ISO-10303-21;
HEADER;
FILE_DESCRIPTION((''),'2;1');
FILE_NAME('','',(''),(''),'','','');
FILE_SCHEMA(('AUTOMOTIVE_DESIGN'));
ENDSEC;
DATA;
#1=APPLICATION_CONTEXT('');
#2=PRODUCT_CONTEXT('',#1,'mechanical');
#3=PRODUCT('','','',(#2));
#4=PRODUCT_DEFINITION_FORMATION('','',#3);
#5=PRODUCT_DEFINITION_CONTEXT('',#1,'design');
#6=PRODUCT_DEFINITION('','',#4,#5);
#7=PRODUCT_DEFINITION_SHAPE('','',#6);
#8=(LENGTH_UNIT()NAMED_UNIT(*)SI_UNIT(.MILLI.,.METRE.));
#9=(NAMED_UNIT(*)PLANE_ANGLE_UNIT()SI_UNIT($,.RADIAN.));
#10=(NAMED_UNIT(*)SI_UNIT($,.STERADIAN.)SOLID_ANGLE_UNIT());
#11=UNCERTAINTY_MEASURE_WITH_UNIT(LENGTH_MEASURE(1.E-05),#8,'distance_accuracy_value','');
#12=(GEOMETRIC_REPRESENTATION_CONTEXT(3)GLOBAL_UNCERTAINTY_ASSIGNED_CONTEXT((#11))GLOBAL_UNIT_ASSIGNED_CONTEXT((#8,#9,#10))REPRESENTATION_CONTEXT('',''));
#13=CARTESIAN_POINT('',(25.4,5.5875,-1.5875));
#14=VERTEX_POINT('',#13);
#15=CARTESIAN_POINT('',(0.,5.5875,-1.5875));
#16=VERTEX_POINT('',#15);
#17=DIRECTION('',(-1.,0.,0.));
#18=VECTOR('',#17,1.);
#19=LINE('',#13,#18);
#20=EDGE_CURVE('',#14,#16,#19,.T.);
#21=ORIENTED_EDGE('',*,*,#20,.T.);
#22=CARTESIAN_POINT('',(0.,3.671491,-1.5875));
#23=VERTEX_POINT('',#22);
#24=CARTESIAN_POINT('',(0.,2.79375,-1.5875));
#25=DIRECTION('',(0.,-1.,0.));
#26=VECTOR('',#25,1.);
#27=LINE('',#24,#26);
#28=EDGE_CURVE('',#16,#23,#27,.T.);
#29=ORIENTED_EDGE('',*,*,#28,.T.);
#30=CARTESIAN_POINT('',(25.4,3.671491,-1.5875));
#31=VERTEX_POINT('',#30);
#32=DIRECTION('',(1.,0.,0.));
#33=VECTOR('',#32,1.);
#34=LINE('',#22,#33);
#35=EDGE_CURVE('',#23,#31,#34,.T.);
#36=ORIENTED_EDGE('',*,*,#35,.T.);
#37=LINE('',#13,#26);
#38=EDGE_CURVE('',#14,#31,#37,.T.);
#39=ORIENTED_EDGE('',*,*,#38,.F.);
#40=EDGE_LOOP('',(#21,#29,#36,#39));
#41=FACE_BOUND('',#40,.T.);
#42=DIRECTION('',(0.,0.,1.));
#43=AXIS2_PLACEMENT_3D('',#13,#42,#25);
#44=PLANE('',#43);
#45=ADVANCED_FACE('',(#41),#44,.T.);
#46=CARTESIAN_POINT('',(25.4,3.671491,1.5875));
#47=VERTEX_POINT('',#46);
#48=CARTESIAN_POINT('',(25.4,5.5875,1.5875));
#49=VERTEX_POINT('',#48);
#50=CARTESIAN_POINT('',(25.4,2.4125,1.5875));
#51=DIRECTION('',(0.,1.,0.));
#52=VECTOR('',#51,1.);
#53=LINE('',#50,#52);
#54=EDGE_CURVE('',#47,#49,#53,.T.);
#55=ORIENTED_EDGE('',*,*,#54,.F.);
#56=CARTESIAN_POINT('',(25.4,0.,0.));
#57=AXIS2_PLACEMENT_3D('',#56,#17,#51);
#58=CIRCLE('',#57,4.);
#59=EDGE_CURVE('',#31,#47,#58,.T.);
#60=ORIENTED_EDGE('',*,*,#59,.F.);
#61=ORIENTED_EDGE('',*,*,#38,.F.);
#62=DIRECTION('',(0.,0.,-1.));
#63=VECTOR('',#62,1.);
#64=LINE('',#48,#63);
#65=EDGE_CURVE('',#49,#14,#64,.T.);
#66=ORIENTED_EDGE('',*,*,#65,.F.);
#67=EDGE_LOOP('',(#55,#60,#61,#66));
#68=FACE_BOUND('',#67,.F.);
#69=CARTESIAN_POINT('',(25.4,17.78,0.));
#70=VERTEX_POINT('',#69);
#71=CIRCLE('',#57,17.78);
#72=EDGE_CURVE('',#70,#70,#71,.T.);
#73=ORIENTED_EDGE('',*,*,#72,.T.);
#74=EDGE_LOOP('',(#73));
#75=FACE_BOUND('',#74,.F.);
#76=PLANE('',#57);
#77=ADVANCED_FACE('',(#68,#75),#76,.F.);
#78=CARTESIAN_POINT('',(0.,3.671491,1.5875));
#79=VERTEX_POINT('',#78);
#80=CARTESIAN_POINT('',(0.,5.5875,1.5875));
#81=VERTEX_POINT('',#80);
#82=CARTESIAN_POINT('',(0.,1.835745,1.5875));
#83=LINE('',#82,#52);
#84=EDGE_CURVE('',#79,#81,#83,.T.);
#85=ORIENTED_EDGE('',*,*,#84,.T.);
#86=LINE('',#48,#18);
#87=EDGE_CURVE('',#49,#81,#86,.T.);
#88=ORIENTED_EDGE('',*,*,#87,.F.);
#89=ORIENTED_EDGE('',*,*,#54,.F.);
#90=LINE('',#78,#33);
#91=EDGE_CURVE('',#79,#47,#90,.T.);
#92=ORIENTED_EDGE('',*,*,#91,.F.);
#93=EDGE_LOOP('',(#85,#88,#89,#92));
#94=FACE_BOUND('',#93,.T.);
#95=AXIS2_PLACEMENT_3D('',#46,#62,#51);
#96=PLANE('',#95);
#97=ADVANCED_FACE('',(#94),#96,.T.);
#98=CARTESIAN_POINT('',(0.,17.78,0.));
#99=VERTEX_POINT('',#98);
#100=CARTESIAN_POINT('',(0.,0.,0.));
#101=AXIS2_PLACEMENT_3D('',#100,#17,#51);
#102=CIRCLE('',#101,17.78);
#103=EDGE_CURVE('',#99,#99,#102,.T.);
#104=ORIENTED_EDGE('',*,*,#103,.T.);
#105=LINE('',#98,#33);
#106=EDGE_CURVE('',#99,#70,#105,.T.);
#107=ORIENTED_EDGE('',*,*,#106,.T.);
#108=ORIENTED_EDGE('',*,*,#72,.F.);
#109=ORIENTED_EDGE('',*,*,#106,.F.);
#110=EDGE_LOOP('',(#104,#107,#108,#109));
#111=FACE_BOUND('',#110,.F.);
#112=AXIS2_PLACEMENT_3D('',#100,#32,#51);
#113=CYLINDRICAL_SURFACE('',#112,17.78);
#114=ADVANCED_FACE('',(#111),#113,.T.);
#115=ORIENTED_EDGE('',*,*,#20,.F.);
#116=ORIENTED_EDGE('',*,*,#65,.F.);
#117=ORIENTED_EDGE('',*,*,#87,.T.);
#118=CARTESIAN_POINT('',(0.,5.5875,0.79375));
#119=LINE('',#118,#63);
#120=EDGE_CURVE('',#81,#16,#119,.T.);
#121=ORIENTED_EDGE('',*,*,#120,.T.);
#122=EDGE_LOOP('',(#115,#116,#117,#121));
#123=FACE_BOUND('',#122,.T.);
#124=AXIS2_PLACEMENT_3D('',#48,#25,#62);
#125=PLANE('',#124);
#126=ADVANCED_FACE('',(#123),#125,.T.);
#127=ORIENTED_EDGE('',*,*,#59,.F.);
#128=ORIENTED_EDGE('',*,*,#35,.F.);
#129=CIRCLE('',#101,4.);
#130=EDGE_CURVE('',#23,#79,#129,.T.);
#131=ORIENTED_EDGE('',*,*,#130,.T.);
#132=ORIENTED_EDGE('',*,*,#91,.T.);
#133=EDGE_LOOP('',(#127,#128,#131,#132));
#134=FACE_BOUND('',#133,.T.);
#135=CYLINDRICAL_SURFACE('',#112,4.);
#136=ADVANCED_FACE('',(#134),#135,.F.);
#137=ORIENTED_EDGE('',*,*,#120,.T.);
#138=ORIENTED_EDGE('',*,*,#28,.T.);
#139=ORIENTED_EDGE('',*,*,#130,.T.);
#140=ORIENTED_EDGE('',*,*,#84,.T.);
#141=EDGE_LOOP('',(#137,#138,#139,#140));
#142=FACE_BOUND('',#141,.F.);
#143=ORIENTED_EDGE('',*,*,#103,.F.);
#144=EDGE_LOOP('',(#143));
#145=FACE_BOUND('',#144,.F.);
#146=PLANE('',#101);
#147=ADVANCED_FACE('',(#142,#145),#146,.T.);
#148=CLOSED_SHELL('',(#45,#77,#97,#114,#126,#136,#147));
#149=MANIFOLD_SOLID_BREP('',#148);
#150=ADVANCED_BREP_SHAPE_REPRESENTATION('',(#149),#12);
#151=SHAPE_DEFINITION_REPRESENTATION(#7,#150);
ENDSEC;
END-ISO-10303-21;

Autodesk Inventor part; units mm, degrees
ref_plane "YZ Plane" through (0, 0, 0) normal (1, 0, 0) x (0, 1, 0)
ref_plane "XZ Plane" through (0, 0, 0) normal (0, 1, 0) x (-1, 0, 0)
ref_plane "XY Plane" through (0, 0, 0) normal (0, 0, 1) x (1, 0, 0)
sketch "Sketch1" plane through (0, 0, 0) normal (0, 0, 1) x (1, 0, 0)
  line L0 (0, 0) -> (0, 17.78)
  line L1 (0, 17.78) -> (25.4, 17.78)
  line L2 (25.4, 17.78) -> (25.4, 0)
  line L3 (25.4, 0) -> (0, 0)
  line L4 (0, 4) -> (25.4, 4)
  dimension "d0" = 17.78
  dimension "d1" = 25.4
  dimension "d2" = 4
revolve "Revolution1" add sketch "Sketch1" angle 360 about axis through (25.4, 0, 0) along (-1, 0, 0) contours L0 L1 L2 L4
sketch "Sketch2" plane through (25.4, 0, 0) normal (1, 0, 0) x (0, 0, -1)
  line L0 (-1.5875, 5.5875) -> (1.5875, 5.5875)
  line L1 (1.5875, 5.5875) -> (1.5875, 2.4125)
  line L2 (1.5875, 2.4125) -> (-1.5875, 2.4125)
  line L3 (-1.5875, 2.4125) -> (-1.5875, 5.5875)
  circle A0 centre (0, 0) radius 4 projected
  line L4 (-1.5875, 5.5875) -> (1.5875, 2.4125) construction
  line L5 (1.5875, 5.5875) -> (-1.5875, 2.4125) construction
  point P0 (0, 4)
  dimension "d4" = 3.175
  dimension "d5" = 3.175
extrude "Extrusion1" cut sketch "Sketch2" against normal through all contours L0 L1 A0 L3 | A0 L1 L2 L3 picked at (0, 2.9417)
properties part number "SpacerB"
